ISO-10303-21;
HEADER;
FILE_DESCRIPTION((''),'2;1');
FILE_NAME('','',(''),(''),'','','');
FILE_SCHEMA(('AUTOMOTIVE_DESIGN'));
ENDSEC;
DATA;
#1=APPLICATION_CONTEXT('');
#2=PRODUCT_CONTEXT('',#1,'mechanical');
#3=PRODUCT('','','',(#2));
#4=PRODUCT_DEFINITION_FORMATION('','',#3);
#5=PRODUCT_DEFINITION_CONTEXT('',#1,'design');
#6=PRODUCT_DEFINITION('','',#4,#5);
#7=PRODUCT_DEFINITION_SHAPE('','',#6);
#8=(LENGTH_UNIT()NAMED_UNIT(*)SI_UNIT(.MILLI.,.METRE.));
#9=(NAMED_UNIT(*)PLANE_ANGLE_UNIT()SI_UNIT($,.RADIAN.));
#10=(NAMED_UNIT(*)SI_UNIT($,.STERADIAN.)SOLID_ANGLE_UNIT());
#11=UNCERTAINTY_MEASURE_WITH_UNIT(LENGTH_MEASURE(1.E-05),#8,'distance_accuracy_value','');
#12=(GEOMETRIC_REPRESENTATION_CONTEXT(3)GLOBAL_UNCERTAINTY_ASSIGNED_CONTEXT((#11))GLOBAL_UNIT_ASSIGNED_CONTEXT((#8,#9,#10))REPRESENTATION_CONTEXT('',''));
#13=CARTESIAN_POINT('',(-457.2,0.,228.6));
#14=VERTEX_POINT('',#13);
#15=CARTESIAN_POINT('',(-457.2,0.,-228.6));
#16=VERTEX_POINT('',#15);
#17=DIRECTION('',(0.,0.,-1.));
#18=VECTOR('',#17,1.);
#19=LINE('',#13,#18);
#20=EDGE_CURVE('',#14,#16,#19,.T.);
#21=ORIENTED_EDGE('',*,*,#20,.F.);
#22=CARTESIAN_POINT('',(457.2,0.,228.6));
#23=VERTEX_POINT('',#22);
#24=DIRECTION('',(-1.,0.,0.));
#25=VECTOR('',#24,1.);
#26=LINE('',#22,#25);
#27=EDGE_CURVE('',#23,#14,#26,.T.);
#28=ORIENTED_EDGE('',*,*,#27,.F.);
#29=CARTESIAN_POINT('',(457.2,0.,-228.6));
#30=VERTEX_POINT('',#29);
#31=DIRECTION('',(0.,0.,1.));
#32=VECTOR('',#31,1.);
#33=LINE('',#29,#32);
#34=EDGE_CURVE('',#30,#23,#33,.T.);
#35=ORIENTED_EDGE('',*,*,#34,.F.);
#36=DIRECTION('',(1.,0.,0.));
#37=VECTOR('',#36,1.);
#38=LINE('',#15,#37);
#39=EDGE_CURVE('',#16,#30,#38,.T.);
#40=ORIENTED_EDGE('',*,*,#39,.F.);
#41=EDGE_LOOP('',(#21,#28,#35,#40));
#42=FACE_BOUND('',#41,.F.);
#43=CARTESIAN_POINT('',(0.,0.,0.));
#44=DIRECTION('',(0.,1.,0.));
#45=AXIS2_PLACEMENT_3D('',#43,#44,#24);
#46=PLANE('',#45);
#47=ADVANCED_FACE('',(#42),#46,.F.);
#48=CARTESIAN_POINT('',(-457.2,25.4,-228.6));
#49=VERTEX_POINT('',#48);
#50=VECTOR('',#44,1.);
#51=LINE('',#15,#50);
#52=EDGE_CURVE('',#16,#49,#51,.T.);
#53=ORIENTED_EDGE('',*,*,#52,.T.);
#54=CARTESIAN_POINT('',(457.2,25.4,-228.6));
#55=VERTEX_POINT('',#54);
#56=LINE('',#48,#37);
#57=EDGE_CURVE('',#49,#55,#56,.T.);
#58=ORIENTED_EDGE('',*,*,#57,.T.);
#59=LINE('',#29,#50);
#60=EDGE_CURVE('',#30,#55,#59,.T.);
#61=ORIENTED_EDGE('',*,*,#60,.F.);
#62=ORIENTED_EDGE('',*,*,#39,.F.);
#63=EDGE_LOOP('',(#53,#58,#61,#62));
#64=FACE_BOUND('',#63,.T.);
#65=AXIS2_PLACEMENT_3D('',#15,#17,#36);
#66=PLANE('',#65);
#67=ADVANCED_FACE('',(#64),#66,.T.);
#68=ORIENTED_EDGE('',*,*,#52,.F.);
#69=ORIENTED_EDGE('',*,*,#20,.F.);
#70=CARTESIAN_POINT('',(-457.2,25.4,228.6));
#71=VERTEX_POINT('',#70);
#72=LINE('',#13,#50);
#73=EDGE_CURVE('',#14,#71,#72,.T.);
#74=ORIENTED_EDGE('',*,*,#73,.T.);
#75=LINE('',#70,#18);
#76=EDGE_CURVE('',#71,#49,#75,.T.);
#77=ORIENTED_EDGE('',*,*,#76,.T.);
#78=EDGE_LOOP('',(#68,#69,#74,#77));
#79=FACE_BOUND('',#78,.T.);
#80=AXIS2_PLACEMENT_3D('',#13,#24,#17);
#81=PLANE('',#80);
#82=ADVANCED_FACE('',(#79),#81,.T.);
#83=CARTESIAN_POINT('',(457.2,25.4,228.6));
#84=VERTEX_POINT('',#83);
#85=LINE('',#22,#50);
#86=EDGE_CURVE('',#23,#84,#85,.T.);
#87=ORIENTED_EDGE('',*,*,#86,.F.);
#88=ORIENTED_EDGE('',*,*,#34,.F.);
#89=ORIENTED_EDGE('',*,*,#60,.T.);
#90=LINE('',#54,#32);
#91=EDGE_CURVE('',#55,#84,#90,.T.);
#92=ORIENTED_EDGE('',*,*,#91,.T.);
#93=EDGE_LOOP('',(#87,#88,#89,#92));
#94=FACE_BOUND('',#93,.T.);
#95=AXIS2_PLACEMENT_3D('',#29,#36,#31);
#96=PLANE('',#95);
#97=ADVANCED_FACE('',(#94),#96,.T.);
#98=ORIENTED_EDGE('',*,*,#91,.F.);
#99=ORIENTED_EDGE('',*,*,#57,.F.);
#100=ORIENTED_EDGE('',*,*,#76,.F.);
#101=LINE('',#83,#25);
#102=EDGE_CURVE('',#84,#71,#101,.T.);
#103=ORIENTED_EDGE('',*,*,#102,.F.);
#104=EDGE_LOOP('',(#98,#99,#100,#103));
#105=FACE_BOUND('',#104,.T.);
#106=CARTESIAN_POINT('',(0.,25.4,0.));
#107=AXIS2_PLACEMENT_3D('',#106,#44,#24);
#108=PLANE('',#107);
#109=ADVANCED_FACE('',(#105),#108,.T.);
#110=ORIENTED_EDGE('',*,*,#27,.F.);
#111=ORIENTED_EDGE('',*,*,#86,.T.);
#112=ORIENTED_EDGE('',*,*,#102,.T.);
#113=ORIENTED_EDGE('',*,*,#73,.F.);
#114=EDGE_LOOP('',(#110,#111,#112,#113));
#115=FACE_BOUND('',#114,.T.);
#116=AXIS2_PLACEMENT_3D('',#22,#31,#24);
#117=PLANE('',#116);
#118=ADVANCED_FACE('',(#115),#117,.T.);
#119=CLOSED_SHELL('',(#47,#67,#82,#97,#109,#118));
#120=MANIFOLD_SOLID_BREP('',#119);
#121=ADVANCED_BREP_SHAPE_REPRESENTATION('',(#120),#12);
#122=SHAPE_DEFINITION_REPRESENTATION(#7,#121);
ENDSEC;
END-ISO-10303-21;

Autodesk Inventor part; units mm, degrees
ref_plane "YZ Plane" through (0, 0, 0) normal (1, 0, 0) x (0, 1, 0)
ref_plane "XZ Plane" through (0, 0, 0) normal (0, 1, 0) x (-1, 0, 0)
ref_plane "XY Plane" through (0, 0, 0) normal (0, 0, 1) x (1, 0, 0)
sketch "Sketch1" plane through (0, 0, 0) normal (0, 1, 0) x (-1, 0, 0)
  line L0 (457.2, -228.6) -> (-457.2, -228.6)
  line L1 (-457.2, -228.6) -> (-457.2, 228.6)
  line L2 (-457.2, 228.6) -> (457.2, 228.6)
  line L3 (457.2, 228.6) -> (457.2, -228.6)
  line L4 (457.2, -228.6) -> (-457.2, 228.6) construction
  line L5 (-457.2, -228.6) -> (457.2, 228.6) construction
  point P0 (0, 0)
  dimension "d0" = 914.4
  dimension "d1" = 457.2
extrude "Extrusion1" add sketch "Sketch1" along normal blind 25.4
properties part number "18x36x2-67" material "Granite, Cut, Polished"
